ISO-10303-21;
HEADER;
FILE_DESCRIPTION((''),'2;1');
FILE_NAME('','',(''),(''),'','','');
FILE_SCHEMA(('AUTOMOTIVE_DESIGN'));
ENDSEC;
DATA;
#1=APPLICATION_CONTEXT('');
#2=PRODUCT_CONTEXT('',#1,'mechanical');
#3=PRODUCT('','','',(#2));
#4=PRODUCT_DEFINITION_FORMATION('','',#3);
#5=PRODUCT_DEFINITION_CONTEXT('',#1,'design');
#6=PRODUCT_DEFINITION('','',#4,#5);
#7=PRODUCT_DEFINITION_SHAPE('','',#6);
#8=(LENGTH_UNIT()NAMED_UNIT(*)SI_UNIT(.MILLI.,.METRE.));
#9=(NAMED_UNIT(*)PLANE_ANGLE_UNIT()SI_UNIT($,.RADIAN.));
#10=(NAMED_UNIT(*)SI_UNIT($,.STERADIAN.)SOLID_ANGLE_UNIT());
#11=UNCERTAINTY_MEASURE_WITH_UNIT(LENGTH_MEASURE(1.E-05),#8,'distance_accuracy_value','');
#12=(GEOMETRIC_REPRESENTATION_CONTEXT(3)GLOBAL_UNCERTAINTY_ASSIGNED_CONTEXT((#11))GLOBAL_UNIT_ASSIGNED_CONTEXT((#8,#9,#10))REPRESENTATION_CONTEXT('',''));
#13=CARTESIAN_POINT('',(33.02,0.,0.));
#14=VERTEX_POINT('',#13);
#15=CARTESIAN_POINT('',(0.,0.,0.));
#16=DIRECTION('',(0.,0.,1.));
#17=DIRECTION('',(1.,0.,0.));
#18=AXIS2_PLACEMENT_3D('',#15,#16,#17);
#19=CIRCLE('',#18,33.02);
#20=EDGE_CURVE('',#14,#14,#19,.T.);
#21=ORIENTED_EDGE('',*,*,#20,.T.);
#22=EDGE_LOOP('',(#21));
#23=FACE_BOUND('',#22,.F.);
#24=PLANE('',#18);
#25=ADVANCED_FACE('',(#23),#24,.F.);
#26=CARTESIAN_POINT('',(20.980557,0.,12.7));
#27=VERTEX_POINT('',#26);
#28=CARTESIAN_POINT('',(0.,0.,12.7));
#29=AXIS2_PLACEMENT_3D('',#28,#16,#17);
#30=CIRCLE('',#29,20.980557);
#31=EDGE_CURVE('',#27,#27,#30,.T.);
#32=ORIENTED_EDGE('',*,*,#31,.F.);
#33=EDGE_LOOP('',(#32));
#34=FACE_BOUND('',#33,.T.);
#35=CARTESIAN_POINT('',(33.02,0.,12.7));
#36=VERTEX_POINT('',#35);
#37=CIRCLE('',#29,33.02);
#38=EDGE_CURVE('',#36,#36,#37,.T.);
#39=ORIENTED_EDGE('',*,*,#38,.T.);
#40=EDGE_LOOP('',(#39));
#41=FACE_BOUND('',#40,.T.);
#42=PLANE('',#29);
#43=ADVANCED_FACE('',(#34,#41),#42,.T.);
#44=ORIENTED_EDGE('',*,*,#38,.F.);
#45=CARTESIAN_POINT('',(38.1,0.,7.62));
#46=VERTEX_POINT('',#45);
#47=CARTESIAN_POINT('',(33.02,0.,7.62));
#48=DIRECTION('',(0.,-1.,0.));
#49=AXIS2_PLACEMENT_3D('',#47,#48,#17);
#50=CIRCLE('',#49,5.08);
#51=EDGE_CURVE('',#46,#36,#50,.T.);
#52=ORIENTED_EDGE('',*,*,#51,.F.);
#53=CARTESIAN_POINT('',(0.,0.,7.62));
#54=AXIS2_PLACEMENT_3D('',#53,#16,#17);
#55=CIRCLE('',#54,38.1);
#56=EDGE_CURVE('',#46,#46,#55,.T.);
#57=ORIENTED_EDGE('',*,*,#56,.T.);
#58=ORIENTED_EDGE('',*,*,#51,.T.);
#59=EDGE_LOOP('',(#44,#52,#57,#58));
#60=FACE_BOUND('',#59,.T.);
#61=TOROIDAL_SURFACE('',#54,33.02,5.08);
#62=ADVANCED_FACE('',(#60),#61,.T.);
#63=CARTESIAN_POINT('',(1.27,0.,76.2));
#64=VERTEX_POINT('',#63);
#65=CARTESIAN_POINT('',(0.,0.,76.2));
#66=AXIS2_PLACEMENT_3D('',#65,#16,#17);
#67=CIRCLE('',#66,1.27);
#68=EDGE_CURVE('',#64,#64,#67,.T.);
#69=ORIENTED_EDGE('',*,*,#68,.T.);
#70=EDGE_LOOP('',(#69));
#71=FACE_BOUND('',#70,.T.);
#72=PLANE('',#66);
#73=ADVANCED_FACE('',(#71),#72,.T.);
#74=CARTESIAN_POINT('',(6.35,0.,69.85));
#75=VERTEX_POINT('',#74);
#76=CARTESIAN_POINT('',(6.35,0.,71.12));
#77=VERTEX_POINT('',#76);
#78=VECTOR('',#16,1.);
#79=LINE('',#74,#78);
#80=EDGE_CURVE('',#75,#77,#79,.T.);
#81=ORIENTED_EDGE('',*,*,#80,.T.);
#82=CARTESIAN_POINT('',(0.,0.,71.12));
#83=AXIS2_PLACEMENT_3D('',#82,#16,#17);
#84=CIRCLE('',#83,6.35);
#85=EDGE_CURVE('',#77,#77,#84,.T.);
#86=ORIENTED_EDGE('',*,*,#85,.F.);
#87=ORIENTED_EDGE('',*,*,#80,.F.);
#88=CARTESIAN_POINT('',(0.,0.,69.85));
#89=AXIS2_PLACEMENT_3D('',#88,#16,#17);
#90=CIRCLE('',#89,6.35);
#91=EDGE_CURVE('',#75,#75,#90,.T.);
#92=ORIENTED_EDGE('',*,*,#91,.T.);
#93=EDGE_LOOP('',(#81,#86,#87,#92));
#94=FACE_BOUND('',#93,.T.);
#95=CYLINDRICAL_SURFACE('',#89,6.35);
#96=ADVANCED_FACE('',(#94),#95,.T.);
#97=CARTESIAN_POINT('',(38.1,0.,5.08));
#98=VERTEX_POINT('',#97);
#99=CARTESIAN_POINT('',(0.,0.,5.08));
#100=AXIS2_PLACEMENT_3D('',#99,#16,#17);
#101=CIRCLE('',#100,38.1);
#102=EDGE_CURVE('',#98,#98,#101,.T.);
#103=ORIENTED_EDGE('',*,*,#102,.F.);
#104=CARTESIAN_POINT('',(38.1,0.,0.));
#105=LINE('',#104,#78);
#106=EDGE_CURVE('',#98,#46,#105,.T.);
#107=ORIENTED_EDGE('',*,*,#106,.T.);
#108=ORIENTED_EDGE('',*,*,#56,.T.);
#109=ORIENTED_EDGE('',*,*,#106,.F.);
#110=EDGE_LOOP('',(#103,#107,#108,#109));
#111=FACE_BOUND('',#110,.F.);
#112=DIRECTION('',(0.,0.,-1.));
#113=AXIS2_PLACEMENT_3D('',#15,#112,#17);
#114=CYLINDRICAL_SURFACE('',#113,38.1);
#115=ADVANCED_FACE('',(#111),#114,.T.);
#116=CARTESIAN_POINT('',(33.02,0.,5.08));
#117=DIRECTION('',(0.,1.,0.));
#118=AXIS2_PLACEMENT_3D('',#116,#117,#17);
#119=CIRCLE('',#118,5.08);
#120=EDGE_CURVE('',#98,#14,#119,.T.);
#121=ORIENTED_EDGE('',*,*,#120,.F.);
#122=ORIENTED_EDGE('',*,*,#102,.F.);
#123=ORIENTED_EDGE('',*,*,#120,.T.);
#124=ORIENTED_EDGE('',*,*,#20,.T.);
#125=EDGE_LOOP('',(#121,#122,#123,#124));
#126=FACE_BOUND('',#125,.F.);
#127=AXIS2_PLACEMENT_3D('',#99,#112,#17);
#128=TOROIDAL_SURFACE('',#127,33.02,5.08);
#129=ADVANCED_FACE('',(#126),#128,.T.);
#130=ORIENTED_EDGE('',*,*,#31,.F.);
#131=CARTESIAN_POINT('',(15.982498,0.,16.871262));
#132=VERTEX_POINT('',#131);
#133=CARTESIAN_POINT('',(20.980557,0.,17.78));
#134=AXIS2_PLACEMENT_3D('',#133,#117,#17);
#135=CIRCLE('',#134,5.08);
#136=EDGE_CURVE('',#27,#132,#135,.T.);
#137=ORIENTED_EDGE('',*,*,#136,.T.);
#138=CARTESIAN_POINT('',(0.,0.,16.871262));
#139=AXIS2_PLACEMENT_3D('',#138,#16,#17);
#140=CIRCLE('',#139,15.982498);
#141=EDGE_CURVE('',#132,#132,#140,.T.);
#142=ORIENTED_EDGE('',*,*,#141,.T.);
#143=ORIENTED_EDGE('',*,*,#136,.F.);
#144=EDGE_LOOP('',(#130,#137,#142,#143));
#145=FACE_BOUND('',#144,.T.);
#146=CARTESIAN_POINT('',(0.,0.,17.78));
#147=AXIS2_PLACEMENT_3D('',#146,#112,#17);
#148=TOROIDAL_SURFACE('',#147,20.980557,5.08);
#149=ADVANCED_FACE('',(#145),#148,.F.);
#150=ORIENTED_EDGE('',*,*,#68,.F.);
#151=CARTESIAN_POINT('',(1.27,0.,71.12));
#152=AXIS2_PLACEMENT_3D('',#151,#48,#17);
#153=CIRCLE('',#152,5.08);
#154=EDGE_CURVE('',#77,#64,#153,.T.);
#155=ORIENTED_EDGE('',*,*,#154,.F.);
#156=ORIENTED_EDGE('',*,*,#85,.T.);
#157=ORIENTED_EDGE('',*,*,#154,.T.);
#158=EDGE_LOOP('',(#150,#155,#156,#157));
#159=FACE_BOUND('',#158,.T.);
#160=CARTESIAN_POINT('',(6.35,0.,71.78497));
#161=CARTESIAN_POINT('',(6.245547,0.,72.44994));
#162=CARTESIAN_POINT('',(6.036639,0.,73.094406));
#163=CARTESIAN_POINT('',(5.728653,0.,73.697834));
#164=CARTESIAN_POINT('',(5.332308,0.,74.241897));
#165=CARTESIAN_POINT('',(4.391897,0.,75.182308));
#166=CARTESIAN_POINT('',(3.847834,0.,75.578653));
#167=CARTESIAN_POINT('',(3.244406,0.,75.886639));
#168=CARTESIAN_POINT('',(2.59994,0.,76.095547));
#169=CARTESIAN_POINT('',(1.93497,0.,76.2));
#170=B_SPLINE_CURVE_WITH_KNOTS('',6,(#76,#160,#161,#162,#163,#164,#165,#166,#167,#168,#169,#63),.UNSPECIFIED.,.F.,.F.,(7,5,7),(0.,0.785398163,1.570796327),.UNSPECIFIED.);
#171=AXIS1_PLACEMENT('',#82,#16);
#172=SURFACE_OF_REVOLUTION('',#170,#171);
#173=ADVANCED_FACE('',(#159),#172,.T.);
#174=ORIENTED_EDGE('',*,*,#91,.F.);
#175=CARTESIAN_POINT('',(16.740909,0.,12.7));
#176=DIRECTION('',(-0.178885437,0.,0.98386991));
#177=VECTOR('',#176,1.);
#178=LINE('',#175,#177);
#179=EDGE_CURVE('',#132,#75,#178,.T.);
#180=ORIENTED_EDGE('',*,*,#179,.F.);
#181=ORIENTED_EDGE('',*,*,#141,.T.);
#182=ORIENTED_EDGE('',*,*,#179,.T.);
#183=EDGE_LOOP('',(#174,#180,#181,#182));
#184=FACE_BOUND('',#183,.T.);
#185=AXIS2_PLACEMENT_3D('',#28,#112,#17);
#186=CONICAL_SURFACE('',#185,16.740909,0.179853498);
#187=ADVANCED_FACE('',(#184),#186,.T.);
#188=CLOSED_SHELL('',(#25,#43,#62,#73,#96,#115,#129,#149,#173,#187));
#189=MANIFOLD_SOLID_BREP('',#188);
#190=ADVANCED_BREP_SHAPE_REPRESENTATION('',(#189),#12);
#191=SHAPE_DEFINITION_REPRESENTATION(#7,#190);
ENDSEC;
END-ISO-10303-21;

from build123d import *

# Parameters (mm, degrees)
F0_R     = 38.1
F1_DEPTH = 12.7
F4_R     = 5.08


with BuildPart() as f1:
    # F0 (on Top) → F1 (new body)
    with BuildSketch(Plane.XY):
        Circle(F0_R)
    extrude(amount=F1_DEPTH)

    # F2 (on Front) → F3 (revolve)
    with BuildSketch(Plane.XZ):
        Polygon((0, 69.85), (0, 12.7), (16.740909, 12.7), (6.35, 69.85), (6.35, 76.2), (0, 76.2), align=None)
    revolve(axis=Axis((0, 0, 41.275), (0, 0, 1)))

    # F4
    f4_edges = [f1.edges().sort_by_distance(p)[0] for p in [
        (-38.1, 0, 12.7),
        (-38.1, 0, 0),
        (-6.35, 0, 76.2),
        (-16.740909, 0, 12.7),
    ]]
    fillet(f4_edges, radius=F4_R)


solid = f1.part
